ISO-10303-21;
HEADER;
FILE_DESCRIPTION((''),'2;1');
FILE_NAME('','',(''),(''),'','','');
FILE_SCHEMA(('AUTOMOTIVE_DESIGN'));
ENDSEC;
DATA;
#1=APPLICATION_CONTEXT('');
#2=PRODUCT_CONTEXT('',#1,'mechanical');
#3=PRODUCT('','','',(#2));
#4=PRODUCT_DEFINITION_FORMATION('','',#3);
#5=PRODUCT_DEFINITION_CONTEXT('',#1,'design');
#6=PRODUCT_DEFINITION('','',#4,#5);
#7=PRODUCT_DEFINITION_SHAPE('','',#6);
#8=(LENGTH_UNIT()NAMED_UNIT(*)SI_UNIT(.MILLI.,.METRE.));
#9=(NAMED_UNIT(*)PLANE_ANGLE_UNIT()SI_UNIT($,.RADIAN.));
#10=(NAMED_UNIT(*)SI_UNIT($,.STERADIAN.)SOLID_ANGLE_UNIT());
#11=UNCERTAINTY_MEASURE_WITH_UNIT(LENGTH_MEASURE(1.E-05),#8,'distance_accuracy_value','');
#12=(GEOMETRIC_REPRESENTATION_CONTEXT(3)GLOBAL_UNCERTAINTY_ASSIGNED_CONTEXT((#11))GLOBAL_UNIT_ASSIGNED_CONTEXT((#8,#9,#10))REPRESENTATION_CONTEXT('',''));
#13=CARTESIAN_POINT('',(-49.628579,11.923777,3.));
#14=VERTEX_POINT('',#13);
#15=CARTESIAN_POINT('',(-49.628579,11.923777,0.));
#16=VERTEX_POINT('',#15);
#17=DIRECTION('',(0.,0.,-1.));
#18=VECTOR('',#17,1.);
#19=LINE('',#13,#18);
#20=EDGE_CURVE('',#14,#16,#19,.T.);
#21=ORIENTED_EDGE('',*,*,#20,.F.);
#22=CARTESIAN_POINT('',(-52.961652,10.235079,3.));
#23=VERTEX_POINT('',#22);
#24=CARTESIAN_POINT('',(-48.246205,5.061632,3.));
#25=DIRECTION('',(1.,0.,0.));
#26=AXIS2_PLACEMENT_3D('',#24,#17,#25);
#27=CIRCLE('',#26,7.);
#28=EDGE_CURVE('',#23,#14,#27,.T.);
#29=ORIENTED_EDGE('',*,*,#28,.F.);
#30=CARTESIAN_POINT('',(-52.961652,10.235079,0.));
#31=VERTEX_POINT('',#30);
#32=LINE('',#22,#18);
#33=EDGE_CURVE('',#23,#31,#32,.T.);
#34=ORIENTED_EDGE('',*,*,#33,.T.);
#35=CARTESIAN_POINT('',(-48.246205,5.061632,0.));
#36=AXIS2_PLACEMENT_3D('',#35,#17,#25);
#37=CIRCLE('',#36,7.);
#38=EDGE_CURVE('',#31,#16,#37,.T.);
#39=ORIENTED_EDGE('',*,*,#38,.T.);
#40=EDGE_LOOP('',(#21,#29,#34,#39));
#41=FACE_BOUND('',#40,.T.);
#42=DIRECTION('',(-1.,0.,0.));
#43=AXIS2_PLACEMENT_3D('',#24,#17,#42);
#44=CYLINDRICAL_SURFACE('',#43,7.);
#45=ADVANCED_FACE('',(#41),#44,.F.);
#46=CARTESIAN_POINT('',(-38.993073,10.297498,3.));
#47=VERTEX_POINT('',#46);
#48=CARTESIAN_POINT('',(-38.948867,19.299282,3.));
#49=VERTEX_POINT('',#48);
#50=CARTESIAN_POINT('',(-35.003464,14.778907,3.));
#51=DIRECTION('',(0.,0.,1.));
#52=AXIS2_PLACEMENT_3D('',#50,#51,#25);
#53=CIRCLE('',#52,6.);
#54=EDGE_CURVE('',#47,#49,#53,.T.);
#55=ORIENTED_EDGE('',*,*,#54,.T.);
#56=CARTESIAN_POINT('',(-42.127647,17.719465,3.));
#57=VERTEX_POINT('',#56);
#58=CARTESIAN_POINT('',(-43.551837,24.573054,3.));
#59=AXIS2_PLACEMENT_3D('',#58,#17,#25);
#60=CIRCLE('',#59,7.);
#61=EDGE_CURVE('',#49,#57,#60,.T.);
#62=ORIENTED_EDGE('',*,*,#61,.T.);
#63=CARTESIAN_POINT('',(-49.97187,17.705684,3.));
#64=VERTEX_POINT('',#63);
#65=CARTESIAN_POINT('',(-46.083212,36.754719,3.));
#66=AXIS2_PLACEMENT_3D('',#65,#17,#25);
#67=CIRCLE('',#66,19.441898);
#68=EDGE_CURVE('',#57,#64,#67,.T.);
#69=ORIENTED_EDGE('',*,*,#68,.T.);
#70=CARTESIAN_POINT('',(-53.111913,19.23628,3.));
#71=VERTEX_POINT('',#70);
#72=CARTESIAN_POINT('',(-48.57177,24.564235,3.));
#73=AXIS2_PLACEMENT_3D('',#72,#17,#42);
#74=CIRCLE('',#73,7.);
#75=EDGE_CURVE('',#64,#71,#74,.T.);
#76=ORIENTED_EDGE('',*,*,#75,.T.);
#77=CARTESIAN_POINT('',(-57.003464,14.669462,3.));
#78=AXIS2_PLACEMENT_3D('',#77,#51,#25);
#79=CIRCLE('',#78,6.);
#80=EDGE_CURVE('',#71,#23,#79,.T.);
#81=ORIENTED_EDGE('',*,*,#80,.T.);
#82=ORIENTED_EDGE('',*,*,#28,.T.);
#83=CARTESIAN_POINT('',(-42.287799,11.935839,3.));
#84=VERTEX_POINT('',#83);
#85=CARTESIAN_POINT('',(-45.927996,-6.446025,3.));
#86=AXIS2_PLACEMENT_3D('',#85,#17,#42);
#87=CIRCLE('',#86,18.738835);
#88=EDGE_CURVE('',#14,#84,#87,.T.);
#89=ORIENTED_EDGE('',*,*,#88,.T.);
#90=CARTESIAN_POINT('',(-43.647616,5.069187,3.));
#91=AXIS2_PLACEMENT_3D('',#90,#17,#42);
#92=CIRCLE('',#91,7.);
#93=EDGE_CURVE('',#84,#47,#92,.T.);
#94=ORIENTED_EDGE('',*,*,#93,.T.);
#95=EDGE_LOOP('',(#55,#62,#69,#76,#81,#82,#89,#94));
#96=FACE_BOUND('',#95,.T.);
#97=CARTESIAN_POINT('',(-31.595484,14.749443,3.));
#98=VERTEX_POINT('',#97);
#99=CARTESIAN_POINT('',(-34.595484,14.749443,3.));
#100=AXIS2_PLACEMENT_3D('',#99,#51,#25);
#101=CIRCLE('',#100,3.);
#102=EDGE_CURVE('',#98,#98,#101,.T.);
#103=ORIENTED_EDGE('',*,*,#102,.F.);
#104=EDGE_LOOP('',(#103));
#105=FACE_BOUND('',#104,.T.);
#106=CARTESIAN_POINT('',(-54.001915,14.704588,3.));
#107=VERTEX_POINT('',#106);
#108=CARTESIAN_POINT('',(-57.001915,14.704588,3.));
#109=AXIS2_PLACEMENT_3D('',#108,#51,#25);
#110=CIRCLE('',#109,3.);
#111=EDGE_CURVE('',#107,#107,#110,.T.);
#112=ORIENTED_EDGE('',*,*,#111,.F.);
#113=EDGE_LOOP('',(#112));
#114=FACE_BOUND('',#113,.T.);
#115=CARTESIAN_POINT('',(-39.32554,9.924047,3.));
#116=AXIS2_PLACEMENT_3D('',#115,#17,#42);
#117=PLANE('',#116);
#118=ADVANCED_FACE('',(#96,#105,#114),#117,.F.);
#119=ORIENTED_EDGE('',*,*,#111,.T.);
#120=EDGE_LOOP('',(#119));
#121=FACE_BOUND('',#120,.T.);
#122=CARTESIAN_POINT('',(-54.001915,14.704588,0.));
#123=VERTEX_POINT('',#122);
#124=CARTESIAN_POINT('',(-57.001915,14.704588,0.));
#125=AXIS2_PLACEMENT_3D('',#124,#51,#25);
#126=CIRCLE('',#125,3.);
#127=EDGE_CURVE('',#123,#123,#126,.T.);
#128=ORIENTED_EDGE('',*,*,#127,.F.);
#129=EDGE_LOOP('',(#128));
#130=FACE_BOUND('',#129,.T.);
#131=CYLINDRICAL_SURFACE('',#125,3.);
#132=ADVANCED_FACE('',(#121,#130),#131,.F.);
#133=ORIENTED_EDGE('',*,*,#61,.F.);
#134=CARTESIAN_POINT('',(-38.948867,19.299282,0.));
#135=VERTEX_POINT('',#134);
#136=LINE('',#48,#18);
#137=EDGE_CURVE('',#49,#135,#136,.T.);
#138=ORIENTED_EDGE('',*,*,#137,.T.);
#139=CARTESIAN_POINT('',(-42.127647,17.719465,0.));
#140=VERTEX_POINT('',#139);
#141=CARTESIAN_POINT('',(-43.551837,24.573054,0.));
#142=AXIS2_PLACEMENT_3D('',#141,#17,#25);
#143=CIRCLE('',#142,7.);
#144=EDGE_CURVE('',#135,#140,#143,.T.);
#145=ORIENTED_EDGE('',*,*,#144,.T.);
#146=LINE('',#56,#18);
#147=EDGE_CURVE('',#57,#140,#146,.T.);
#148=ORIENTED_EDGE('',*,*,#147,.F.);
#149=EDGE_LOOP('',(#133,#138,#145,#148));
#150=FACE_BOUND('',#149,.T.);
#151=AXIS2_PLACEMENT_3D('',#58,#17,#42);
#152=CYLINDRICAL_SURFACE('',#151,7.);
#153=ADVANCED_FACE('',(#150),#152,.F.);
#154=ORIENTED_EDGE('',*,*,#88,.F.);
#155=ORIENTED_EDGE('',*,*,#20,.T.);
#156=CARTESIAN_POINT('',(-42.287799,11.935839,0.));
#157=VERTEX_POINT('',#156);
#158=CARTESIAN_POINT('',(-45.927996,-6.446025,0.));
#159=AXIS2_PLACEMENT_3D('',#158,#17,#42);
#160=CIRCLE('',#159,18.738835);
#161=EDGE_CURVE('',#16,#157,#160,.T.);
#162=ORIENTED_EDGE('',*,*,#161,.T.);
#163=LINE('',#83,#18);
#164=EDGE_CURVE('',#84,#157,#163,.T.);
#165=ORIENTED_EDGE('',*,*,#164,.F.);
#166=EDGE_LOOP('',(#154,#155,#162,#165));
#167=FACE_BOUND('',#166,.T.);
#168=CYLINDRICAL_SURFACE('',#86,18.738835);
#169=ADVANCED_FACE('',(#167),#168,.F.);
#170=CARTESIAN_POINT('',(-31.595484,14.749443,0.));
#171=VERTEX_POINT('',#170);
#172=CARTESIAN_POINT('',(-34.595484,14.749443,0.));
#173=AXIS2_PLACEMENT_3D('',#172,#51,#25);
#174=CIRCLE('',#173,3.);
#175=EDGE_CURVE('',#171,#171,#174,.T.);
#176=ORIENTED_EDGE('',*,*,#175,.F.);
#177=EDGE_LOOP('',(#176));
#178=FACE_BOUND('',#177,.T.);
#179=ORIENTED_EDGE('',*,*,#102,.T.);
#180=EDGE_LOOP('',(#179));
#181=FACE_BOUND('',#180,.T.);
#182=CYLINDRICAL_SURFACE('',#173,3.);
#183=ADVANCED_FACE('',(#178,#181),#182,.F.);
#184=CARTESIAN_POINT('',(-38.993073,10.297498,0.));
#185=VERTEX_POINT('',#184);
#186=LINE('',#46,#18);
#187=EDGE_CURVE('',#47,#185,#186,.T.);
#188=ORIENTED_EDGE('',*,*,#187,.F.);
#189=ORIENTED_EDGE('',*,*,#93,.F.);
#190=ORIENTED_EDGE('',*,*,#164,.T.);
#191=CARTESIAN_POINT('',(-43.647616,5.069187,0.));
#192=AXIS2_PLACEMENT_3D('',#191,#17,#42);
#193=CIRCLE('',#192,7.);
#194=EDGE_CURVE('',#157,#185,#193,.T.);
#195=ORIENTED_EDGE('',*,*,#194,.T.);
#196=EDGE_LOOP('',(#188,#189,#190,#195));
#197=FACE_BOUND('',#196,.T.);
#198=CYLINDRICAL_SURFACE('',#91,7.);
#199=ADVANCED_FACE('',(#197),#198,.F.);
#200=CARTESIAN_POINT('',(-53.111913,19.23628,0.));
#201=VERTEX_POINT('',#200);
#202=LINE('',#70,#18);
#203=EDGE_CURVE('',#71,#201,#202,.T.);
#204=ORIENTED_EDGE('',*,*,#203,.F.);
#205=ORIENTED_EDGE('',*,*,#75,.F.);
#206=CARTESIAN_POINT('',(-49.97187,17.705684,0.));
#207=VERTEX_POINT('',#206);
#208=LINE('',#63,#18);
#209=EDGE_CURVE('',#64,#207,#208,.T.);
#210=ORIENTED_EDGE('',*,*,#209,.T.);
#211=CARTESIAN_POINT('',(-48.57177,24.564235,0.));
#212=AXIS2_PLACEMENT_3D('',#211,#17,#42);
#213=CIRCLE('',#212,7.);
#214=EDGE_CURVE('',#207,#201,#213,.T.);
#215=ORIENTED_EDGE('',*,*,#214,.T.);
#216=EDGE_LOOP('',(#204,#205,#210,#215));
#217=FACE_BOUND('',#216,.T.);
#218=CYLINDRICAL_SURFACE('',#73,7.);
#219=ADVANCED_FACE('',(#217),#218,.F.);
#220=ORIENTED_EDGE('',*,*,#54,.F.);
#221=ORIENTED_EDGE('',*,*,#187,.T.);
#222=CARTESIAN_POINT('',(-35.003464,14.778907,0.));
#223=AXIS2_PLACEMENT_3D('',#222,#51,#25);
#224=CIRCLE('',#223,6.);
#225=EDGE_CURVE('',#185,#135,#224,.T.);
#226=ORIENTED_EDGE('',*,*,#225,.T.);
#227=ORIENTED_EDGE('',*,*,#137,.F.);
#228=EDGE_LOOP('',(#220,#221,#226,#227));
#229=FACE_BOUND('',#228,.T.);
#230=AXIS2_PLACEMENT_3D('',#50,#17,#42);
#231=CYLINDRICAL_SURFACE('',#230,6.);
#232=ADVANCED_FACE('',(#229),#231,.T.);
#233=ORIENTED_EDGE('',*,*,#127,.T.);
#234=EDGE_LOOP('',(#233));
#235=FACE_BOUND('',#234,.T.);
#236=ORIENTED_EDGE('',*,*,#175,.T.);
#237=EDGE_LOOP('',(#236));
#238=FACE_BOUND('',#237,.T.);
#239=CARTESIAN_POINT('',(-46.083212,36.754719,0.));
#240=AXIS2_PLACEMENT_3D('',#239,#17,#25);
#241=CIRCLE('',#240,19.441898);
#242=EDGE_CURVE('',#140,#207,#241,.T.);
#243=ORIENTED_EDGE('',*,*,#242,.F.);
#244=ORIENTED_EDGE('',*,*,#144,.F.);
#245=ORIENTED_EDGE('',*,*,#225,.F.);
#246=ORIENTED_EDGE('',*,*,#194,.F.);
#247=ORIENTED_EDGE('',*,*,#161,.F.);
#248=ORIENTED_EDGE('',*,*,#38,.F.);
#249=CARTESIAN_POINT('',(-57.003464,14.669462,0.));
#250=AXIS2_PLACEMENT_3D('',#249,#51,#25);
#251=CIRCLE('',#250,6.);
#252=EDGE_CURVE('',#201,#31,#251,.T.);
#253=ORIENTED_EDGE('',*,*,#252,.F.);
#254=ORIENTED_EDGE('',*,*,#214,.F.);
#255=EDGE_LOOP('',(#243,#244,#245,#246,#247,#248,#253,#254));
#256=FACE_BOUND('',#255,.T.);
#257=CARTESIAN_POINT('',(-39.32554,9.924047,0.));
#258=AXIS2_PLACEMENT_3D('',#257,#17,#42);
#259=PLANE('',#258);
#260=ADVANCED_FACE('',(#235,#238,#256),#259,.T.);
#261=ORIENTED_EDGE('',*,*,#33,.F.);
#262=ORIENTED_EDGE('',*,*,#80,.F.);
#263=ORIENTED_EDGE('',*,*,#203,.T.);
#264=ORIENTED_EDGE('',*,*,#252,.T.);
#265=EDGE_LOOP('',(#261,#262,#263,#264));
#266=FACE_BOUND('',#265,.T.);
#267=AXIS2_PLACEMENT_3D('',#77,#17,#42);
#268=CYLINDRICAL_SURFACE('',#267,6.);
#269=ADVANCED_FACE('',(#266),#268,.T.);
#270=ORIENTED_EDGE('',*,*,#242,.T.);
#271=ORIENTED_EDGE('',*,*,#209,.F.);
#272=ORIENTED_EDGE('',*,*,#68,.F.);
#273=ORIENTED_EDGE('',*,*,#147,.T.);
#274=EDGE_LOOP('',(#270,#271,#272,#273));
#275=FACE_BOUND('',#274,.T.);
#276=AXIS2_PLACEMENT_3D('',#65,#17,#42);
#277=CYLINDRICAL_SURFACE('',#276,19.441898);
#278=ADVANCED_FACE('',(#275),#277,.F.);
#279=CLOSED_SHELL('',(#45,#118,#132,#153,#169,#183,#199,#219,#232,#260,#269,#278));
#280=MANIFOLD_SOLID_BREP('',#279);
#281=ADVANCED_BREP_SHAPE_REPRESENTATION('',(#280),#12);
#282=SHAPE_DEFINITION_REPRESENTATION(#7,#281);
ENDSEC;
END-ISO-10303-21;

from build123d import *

# Parameters (mm, degrees)
BOSS_EXTRUDE1_DEPTH = 3
SKETCH2_R           = 3
CUT_EXTRUDE1_DEPTH  = 3


with BuildPart() as part:
    # Sketch1 → Boss-Extrude1 (new body)
    with BuildSketch(Plane.XY):
        with BuildLine():
            ThreePointArc((-38.993072638, 10.297497813), (-29.003536718, 14.749442663), (-38.948867239, 19.299282405))
            ThreePointArc((-38.948867239, 19.299282405), (-40.43645285, 18.304531068), (-42.127647344, 17.719464956))
            ThreePointArc((-42.127647344, 17.719464956), (-46.049056408, 17.312851184), (-49.971869959, 17.705684038))
            ThreePointArc((-49.971869959, 17.705684038), (-51.638902703, 18.27196215), (-53.111913064, 19.236280328))
            ThreePointArc((-53.111913064, 19.236280328), (-63.002628538, 14.569315621), (-52.961652305, 10.235078841))
            ThreePointArc((-52.961652305, 10.235078841), (-51.409870812, 11.305926496), (-49.628578883, 11.923777258))
            ThreePointArc((-49.628578883, 11.923777258), (-45.958785243, 12.292784959), (-42.287798819, 11.935838578))
            ThreePointArc((-42.287798819, 11.935838578), (-40.530859131, 11.337028267), (-38.993072638, 10.297497813))
        make_face()
    extrude(amount=BOSS_EXTRUDE1_DEPTH)

    # Sketch2 → Cut-Extrude1 (cut)
    with BuildSketch(Plane.XY.offset(3)):
        with Locations((-57.001914988, 14.704587642)):
            Circle(SKETCH2_R)
        with Locations((-34.595484072, 14.749442663)):
            Circle(SKETCH2_R)
    extrude(amount=-CUT_EXTRUDE1_DEPTH, mode=Mode.SUBTRACT)


solid = part.part
